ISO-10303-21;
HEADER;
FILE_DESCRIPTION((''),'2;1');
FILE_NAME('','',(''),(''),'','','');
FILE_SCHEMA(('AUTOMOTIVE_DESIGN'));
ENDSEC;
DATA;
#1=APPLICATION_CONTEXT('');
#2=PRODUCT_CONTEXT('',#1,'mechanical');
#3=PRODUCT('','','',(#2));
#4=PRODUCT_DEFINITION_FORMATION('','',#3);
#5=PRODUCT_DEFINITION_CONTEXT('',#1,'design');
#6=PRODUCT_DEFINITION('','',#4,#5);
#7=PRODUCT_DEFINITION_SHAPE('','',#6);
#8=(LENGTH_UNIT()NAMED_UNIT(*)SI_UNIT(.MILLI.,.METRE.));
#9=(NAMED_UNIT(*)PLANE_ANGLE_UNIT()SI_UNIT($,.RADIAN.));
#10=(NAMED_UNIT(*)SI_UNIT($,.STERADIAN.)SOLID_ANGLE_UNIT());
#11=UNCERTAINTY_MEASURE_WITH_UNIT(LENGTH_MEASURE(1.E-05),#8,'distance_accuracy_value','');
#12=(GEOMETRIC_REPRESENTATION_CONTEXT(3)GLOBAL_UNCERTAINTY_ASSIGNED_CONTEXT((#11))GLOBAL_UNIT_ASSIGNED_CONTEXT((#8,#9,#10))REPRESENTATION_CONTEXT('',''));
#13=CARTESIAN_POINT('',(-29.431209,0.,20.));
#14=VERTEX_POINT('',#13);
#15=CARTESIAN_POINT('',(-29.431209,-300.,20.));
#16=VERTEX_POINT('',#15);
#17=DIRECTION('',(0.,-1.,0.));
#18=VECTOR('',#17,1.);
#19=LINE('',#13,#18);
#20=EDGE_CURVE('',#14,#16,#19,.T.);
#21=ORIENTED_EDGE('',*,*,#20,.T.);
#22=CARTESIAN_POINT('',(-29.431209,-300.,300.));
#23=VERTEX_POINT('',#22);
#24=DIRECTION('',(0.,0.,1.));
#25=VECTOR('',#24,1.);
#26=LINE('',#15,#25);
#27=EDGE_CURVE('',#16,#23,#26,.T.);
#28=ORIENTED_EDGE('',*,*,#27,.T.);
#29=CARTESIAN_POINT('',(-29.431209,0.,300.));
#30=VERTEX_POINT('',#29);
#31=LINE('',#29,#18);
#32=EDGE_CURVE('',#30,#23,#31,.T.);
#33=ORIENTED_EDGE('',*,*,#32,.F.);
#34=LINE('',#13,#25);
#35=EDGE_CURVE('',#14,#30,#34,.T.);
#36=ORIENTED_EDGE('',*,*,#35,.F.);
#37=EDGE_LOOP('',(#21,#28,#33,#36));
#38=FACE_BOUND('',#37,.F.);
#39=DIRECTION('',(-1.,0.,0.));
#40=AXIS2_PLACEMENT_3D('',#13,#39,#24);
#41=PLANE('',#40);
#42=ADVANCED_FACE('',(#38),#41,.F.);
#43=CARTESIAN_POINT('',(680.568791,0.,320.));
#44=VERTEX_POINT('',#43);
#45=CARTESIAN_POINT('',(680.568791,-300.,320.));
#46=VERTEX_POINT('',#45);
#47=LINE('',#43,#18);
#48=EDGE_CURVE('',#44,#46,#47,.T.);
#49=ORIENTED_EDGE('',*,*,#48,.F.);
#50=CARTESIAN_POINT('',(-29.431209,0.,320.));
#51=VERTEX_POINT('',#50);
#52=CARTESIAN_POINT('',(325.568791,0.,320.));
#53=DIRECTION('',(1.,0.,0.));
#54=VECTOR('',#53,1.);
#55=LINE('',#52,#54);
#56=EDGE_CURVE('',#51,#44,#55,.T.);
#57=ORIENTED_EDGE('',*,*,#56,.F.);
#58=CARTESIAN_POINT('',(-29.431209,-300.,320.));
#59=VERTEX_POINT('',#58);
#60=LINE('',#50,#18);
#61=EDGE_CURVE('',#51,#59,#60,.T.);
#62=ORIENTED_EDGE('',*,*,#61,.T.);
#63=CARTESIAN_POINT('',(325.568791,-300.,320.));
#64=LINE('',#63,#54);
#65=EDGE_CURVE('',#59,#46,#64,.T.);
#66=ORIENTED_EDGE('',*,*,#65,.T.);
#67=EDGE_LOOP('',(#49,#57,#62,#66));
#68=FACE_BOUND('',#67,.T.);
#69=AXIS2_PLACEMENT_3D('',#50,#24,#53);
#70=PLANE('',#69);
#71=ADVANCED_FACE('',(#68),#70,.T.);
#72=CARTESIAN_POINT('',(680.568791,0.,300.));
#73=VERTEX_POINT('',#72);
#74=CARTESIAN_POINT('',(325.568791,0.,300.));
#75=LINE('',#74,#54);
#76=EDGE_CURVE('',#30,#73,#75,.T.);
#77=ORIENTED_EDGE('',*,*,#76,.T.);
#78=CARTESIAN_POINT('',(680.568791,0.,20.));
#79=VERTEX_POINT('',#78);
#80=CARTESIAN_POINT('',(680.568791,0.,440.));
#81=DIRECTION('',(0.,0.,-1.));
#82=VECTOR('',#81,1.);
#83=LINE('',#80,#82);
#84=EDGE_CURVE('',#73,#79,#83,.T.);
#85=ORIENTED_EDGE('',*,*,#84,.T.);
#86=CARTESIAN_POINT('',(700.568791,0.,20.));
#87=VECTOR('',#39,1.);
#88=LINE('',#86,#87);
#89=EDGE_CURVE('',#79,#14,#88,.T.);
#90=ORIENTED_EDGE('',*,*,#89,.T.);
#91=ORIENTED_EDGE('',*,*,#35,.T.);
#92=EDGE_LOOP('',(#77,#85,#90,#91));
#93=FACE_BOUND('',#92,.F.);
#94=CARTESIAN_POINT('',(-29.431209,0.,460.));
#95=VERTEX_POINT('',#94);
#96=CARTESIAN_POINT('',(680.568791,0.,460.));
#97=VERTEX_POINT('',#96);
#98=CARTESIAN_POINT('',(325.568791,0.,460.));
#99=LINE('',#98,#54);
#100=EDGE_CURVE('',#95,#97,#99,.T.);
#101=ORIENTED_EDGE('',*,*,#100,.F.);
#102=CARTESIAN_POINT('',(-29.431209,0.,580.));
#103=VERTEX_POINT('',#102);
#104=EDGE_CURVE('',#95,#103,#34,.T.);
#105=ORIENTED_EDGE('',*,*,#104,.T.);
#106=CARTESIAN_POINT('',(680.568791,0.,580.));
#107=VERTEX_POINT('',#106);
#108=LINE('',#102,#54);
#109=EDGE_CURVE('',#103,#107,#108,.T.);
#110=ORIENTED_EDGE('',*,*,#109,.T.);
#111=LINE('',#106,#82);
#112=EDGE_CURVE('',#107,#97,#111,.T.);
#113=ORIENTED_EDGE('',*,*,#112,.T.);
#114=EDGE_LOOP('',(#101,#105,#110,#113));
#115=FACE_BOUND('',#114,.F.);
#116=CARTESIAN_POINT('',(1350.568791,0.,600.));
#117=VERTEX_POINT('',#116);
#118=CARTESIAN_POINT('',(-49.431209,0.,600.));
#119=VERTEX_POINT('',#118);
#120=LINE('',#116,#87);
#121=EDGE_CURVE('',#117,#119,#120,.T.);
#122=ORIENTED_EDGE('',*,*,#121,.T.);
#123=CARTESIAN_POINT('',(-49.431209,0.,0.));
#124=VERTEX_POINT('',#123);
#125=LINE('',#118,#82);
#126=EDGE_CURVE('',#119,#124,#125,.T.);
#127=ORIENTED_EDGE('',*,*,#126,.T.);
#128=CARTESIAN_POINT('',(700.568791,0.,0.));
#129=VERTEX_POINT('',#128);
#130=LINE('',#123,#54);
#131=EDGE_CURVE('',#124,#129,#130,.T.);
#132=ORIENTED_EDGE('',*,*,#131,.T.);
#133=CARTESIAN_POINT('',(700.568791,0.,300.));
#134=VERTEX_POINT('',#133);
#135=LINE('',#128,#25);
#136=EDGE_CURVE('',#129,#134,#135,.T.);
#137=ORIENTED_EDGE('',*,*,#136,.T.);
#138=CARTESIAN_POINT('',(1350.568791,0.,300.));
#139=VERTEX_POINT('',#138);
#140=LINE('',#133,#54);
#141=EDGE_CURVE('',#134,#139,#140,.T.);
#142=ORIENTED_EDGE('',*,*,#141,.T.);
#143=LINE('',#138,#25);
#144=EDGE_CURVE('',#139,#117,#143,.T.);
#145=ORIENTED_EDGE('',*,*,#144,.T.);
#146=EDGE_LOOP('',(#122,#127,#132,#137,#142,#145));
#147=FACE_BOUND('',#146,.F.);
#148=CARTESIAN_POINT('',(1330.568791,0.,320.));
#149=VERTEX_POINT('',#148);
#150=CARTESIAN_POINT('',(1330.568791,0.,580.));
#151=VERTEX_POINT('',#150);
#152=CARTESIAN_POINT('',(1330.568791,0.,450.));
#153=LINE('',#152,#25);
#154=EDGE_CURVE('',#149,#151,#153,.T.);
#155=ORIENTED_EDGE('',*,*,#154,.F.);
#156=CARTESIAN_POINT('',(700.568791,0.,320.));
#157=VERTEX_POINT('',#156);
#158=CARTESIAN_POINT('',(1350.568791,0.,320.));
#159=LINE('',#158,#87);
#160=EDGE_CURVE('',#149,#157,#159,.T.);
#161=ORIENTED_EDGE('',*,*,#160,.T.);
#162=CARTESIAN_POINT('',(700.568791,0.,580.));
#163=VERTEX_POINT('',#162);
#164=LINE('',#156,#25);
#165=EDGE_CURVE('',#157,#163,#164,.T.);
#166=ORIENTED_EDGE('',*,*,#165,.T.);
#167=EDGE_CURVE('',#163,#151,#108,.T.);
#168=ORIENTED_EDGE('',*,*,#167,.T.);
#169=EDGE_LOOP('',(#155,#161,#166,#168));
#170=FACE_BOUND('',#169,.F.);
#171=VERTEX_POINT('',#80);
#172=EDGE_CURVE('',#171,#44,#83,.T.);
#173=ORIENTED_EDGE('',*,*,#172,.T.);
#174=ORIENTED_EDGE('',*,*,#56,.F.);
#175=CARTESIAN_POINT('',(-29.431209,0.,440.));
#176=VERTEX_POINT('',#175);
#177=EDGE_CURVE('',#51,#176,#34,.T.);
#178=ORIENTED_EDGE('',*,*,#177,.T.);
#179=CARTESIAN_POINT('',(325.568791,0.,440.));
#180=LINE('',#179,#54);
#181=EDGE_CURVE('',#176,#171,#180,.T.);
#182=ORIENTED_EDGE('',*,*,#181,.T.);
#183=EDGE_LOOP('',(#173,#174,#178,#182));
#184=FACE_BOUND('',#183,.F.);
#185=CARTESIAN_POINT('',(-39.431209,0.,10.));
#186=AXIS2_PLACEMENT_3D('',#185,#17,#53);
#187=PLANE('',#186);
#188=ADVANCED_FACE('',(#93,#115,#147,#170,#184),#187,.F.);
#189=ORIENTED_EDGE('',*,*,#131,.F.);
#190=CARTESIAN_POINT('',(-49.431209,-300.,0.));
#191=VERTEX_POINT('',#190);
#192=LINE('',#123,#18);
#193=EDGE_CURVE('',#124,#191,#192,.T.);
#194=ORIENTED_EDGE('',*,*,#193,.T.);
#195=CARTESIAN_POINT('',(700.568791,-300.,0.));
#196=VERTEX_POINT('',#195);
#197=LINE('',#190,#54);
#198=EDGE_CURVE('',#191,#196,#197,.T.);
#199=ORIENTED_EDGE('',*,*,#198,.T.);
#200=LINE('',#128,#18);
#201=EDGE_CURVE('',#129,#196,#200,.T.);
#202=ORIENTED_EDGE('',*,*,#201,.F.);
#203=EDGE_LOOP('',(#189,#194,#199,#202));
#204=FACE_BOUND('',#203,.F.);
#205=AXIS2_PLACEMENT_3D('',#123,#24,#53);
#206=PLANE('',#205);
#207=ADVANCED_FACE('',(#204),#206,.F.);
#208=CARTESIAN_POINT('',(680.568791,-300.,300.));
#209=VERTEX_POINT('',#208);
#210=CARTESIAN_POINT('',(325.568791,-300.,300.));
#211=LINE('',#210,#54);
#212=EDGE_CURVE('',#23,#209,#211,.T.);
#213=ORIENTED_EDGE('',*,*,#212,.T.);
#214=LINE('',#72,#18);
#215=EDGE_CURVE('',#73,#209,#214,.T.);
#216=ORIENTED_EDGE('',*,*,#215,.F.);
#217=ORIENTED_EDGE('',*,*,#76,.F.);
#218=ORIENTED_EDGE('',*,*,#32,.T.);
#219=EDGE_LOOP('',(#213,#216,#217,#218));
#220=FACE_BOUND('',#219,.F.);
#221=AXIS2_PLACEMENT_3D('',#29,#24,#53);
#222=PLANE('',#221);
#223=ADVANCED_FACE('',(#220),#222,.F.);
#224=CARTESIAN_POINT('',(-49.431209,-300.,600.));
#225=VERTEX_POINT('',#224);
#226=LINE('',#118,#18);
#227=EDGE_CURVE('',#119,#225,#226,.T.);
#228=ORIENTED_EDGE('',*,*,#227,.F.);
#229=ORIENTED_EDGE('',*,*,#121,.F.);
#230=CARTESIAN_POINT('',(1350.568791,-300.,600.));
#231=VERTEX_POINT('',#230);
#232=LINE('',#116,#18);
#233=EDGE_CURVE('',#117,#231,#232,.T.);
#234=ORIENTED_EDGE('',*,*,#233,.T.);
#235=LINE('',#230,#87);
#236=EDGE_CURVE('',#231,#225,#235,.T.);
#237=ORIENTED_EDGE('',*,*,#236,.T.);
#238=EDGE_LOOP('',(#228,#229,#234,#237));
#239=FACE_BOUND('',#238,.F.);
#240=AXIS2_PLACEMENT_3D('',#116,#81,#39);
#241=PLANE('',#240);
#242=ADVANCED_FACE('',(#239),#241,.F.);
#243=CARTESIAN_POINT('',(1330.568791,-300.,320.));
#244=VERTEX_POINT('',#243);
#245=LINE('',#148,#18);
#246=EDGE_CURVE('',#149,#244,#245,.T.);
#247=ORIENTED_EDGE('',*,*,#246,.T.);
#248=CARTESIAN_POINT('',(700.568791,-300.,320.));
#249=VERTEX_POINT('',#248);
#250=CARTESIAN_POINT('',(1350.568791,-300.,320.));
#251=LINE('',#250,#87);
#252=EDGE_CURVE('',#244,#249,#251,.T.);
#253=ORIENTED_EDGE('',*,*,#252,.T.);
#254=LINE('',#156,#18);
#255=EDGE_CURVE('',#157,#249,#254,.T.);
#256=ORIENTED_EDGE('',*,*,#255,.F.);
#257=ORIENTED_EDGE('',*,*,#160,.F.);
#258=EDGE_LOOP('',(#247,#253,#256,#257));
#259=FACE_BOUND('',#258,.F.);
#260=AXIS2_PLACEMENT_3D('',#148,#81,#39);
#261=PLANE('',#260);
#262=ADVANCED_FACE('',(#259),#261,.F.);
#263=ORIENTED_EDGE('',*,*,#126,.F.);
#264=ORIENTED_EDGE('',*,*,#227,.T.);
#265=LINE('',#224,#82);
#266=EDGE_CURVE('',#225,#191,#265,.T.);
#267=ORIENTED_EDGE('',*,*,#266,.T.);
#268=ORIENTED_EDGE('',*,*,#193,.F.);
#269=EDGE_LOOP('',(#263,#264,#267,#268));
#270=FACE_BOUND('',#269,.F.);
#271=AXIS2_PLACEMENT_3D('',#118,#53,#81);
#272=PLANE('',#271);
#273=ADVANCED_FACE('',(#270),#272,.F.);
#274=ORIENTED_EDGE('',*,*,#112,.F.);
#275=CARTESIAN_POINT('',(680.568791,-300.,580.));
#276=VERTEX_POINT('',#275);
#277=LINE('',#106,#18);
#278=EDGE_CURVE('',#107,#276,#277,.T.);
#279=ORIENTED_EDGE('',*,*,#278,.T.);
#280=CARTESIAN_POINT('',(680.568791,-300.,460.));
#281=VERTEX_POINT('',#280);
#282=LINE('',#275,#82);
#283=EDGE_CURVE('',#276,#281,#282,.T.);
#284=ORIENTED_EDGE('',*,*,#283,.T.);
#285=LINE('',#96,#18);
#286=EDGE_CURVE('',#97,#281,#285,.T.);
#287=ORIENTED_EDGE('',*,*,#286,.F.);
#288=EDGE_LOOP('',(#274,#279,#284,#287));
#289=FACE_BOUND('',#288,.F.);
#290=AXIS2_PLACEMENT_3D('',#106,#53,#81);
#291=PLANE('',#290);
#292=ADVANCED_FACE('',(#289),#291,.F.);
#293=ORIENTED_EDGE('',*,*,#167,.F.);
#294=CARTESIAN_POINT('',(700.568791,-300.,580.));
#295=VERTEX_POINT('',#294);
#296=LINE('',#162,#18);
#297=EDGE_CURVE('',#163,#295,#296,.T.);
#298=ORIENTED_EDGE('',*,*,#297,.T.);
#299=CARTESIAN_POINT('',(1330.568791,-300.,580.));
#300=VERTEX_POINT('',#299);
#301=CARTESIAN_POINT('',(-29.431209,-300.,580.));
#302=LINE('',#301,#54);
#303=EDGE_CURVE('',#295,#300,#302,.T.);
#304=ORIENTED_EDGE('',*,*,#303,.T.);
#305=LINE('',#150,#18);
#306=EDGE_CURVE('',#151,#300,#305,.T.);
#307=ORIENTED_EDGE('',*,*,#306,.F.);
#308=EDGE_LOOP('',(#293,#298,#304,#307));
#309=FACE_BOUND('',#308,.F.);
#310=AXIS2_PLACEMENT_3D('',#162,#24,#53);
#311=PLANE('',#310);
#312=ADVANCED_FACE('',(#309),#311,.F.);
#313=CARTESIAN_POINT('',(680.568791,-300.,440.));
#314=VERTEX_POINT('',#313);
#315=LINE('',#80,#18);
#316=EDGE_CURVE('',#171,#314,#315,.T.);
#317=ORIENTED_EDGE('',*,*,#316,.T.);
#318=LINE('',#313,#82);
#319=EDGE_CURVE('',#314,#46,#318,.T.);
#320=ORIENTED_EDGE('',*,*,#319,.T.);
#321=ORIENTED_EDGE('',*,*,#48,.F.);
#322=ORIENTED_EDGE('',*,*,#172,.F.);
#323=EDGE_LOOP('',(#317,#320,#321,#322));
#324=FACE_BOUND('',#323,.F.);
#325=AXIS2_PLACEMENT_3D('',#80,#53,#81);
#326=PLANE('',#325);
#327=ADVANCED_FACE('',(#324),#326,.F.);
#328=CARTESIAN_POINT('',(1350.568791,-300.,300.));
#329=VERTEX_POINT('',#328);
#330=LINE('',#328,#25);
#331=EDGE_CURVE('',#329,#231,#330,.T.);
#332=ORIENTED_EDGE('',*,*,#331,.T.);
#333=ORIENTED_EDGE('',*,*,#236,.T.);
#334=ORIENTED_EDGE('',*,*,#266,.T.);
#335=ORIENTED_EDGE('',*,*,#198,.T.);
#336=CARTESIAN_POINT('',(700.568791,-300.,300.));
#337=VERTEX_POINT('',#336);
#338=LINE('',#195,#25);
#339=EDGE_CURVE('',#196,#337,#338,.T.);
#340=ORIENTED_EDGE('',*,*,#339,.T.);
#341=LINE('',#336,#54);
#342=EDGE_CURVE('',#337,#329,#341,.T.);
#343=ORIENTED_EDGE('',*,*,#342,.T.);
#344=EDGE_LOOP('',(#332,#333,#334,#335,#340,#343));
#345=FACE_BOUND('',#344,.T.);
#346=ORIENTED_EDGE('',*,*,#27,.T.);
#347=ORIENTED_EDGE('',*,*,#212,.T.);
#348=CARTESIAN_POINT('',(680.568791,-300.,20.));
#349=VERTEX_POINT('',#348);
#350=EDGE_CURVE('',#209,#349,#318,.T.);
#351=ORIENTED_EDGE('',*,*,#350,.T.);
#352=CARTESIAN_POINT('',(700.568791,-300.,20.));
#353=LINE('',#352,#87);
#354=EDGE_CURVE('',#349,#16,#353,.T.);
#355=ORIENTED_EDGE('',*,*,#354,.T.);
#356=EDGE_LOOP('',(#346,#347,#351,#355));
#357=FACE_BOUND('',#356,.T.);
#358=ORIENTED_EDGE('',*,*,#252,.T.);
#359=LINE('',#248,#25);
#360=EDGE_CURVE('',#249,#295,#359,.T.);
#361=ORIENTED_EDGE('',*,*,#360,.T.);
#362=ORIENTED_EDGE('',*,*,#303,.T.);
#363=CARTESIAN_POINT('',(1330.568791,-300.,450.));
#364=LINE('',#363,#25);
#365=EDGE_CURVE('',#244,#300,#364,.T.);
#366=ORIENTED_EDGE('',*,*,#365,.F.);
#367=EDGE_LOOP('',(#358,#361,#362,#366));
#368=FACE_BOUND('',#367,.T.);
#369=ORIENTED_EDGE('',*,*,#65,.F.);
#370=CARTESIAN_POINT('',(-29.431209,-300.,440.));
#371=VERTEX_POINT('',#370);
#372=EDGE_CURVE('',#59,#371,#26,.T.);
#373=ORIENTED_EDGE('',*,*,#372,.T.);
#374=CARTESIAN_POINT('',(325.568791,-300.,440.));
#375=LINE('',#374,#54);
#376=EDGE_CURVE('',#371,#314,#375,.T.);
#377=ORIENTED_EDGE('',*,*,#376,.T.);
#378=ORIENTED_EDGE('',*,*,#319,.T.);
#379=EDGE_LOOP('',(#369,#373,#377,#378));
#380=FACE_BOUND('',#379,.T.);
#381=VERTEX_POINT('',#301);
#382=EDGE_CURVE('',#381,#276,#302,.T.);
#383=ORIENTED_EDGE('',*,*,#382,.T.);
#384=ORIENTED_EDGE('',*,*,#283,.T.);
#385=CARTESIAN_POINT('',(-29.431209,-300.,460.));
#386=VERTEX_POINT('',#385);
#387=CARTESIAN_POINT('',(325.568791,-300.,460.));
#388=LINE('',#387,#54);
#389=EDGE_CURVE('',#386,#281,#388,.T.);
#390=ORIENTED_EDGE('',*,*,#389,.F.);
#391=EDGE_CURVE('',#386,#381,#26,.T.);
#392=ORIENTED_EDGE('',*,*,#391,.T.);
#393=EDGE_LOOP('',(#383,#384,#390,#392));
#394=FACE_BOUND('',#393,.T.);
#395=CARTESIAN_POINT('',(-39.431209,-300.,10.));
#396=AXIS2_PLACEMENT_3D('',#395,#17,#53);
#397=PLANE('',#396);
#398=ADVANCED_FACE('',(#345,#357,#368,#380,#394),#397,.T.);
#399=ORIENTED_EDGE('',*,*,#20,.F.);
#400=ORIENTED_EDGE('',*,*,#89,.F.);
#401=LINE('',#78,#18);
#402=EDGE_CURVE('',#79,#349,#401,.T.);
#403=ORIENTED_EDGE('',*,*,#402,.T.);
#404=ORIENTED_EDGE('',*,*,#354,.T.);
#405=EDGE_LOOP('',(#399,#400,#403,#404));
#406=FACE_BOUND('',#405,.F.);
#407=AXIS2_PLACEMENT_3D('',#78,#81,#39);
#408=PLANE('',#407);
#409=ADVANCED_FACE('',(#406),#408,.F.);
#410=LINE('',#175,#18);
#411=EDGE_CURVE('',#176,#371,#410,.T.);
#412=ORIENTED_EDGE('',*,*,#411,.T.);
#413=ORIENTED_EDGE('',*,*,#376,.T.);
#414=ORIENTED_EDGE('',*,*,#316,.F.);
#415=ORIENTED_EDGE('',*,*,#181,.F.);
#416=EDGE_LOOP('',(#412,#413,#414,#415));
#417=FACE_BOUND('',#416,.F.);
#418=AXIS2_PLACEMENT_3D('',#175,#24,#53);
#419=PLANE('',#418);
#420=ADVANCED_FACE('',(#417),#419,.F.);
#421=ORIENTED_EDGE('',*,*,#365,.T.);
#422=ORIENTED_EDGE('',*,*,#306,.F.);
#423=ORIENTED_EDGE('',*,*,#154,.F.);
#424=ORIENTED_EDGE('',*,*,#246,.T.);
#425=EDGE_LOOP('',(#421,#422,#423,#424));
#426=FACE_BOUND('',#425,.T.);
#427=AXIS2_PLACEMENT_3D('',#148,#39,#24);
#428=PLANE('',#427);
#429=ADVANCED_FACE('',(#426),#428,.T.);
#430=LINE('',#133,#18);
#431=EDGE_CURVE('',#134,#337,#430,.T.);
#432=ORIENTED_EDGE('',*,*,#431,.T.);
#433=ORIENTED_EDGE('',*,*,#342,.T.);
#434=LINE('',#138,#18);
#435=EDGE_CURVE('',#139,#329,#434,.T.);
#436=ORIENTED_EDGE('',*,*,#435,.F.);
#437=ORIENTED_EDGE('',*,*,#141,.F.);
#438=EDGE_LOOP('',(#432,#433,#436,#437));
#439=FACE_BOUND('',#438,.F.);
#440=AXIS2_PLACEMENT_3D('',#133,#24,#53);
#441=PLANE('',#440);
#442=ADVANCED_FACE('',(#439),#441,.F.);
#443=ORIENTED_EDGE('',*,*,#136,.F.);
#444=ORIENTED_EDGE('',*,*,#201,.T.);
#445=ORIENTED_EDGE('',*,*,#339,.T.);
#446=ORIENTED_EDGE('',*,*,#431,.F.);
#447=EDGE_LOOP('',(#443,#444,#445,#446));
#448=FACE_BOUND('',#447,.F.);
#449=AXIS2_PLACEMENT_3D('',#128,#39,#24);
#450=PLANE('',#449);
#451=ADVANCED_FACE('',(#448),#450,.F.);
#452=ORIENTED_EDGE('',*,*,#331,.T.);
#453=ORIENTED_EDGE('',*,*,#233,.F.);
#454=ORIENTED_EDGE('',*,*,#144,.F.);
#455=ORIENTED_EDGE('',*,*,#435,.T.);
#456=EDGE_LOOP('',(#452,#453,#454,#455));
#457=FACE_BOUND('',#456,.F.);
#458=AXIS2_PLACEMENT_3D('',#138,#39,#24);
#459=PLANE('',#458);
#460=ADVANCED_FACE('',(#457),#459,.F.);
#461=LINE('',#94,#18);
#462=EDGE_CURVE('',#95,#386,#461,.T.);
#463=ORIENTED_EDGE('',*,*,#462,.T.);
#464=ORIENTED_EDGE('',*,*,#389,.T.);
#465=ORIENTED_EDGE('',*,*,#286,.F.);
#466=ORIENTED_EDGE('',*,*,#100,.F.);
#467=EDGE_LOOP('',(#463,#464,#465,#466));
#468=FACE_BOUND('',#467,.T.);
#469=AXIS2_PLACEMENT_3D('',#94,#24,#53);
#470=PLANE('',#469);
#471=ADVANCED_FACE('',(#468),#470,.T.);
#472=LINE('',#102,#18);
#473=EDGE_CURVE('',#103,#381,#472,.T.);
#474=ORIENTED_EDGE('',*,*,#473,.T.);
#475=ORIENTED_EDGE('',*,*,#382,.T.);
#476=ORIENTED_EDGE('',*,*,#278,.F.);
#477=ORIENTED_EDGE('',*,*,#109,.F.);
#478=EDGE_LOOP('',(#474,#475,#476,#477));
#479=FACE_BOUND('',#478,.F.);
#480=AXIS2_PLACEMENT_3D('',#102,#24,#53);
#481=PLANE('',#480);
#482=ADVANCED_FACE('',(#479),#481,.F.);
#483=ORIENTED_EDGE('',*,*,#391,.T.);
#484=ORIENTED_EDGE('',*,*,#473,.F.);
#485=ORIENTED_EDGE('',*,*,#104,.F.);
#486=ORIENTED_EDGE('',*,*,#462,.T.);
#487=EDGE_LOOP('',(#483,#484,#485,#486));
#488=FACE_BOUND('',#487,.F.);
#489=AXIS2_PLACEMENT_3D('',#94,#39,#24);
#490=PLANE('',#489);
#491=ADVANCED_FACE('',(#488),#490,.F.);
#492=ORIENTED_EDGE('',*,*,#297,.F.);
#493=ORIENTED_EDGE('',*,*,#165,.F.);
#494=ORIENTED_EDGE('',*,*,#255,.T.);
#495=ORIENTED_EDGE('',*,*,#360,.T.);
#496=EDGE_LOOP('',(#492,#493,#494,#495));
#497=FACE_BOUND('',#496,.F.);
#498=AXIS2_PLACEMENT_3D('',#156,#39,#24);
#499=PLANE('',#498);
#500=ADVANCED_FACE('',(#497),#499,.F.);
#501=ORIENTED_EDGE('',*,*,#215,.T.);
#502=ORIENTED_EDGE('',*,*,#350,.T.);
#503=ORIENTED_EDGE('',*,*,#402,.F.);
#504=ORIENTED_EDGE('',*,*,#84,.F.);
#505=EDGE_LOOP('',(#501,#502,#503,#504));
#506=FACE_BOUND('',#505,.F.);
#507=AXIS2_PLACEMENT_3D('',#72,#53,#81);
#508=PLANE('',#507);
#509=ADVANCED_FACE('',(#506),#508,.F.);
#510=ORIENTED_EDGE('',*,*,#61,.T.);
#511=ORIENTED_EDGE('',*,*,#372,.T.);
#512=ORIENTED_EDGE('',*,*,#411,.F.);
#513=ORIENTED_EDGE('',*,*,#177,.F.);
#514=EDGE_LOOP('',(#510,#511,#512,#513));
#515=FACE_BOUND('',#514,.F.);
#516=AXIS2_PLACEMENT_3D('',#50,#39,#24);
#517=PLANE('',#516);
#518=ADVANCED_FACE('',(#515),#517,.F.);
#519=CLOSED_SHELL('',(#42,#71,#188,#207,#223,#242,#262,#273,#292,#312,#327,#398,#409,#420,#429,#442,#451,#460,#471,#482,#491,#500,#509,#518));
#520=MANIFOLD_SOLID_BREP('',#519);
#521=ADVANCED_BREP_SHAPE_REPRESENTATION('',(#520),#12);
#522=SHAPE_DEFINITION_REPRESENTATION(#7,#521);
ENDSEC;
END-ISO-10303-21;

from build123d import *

# Parameters (mm, degrees)
F0_W     = 20
F0_H     = 20
F0_W_2   = 710
F0_H_2   = 260
F1_DEPTH = 300


with BuildPart() as f1:
    # F0 (on Front) → F1 (new body)
    with BuildSketch(Plane.XZ):
        with Locations((-39.431209, 10)):
            Rectangle(F0_W, F0_H)
        with Locations((325.568791, 10)):
            Rectangle(F0_W_2, F0_H)
        Polygon((-49.431209, 580), (-49.431209, 20), (-29.431209, 20), (-29.431209, 300), (-29.431209, 320), (-29.431209, 440), (-29.431209, 460), (-29.431209, 580), align=None)
        with Locations((690.568791, 10)):
            Rectangle(F0_W, F0_H)
        with Locations((-39.431209, 590)):
            Rectangle(F0_W, F0_H)
        Polygon((680.568791, 300), (680.568791, 20), (700.568791, 20), (700.568791, 300), (1330.568791, 300), (1330.568791, 320), (700.568791, 320), (680.568791, 320), align=None)
        Polygon((-29.431209, 600), (-29.431209, 580), (680.568791, 580), (700.568791, 580), (1330.568791, 580), (1330.568791, 600), align=None)
        with Locations((1340.568791, 590)):
            Rectangle(F0_W, F0_H)
        with Locations((1340.568791, 310)):
            Rectangle(F0_W, F0_H)
        with Locations((1340.568791, 450)):
            Rectangle(F0_W, F0_H_2)
        with Locations((325.568791, 450)):
            Rectangle(F0_W_2, F0_H)
        Polygon((700.568791, 580), (680.568791, 580), (680.568791, 460), (680.568791, 440), (680.568791, 320), (700.568791, 320), align=None)
        with Locations((325.568791, 310)):
            Rectangle(F0_W_2, F0_H)
    extrude(amount=F1_DEPTH)


solid = f1.part
